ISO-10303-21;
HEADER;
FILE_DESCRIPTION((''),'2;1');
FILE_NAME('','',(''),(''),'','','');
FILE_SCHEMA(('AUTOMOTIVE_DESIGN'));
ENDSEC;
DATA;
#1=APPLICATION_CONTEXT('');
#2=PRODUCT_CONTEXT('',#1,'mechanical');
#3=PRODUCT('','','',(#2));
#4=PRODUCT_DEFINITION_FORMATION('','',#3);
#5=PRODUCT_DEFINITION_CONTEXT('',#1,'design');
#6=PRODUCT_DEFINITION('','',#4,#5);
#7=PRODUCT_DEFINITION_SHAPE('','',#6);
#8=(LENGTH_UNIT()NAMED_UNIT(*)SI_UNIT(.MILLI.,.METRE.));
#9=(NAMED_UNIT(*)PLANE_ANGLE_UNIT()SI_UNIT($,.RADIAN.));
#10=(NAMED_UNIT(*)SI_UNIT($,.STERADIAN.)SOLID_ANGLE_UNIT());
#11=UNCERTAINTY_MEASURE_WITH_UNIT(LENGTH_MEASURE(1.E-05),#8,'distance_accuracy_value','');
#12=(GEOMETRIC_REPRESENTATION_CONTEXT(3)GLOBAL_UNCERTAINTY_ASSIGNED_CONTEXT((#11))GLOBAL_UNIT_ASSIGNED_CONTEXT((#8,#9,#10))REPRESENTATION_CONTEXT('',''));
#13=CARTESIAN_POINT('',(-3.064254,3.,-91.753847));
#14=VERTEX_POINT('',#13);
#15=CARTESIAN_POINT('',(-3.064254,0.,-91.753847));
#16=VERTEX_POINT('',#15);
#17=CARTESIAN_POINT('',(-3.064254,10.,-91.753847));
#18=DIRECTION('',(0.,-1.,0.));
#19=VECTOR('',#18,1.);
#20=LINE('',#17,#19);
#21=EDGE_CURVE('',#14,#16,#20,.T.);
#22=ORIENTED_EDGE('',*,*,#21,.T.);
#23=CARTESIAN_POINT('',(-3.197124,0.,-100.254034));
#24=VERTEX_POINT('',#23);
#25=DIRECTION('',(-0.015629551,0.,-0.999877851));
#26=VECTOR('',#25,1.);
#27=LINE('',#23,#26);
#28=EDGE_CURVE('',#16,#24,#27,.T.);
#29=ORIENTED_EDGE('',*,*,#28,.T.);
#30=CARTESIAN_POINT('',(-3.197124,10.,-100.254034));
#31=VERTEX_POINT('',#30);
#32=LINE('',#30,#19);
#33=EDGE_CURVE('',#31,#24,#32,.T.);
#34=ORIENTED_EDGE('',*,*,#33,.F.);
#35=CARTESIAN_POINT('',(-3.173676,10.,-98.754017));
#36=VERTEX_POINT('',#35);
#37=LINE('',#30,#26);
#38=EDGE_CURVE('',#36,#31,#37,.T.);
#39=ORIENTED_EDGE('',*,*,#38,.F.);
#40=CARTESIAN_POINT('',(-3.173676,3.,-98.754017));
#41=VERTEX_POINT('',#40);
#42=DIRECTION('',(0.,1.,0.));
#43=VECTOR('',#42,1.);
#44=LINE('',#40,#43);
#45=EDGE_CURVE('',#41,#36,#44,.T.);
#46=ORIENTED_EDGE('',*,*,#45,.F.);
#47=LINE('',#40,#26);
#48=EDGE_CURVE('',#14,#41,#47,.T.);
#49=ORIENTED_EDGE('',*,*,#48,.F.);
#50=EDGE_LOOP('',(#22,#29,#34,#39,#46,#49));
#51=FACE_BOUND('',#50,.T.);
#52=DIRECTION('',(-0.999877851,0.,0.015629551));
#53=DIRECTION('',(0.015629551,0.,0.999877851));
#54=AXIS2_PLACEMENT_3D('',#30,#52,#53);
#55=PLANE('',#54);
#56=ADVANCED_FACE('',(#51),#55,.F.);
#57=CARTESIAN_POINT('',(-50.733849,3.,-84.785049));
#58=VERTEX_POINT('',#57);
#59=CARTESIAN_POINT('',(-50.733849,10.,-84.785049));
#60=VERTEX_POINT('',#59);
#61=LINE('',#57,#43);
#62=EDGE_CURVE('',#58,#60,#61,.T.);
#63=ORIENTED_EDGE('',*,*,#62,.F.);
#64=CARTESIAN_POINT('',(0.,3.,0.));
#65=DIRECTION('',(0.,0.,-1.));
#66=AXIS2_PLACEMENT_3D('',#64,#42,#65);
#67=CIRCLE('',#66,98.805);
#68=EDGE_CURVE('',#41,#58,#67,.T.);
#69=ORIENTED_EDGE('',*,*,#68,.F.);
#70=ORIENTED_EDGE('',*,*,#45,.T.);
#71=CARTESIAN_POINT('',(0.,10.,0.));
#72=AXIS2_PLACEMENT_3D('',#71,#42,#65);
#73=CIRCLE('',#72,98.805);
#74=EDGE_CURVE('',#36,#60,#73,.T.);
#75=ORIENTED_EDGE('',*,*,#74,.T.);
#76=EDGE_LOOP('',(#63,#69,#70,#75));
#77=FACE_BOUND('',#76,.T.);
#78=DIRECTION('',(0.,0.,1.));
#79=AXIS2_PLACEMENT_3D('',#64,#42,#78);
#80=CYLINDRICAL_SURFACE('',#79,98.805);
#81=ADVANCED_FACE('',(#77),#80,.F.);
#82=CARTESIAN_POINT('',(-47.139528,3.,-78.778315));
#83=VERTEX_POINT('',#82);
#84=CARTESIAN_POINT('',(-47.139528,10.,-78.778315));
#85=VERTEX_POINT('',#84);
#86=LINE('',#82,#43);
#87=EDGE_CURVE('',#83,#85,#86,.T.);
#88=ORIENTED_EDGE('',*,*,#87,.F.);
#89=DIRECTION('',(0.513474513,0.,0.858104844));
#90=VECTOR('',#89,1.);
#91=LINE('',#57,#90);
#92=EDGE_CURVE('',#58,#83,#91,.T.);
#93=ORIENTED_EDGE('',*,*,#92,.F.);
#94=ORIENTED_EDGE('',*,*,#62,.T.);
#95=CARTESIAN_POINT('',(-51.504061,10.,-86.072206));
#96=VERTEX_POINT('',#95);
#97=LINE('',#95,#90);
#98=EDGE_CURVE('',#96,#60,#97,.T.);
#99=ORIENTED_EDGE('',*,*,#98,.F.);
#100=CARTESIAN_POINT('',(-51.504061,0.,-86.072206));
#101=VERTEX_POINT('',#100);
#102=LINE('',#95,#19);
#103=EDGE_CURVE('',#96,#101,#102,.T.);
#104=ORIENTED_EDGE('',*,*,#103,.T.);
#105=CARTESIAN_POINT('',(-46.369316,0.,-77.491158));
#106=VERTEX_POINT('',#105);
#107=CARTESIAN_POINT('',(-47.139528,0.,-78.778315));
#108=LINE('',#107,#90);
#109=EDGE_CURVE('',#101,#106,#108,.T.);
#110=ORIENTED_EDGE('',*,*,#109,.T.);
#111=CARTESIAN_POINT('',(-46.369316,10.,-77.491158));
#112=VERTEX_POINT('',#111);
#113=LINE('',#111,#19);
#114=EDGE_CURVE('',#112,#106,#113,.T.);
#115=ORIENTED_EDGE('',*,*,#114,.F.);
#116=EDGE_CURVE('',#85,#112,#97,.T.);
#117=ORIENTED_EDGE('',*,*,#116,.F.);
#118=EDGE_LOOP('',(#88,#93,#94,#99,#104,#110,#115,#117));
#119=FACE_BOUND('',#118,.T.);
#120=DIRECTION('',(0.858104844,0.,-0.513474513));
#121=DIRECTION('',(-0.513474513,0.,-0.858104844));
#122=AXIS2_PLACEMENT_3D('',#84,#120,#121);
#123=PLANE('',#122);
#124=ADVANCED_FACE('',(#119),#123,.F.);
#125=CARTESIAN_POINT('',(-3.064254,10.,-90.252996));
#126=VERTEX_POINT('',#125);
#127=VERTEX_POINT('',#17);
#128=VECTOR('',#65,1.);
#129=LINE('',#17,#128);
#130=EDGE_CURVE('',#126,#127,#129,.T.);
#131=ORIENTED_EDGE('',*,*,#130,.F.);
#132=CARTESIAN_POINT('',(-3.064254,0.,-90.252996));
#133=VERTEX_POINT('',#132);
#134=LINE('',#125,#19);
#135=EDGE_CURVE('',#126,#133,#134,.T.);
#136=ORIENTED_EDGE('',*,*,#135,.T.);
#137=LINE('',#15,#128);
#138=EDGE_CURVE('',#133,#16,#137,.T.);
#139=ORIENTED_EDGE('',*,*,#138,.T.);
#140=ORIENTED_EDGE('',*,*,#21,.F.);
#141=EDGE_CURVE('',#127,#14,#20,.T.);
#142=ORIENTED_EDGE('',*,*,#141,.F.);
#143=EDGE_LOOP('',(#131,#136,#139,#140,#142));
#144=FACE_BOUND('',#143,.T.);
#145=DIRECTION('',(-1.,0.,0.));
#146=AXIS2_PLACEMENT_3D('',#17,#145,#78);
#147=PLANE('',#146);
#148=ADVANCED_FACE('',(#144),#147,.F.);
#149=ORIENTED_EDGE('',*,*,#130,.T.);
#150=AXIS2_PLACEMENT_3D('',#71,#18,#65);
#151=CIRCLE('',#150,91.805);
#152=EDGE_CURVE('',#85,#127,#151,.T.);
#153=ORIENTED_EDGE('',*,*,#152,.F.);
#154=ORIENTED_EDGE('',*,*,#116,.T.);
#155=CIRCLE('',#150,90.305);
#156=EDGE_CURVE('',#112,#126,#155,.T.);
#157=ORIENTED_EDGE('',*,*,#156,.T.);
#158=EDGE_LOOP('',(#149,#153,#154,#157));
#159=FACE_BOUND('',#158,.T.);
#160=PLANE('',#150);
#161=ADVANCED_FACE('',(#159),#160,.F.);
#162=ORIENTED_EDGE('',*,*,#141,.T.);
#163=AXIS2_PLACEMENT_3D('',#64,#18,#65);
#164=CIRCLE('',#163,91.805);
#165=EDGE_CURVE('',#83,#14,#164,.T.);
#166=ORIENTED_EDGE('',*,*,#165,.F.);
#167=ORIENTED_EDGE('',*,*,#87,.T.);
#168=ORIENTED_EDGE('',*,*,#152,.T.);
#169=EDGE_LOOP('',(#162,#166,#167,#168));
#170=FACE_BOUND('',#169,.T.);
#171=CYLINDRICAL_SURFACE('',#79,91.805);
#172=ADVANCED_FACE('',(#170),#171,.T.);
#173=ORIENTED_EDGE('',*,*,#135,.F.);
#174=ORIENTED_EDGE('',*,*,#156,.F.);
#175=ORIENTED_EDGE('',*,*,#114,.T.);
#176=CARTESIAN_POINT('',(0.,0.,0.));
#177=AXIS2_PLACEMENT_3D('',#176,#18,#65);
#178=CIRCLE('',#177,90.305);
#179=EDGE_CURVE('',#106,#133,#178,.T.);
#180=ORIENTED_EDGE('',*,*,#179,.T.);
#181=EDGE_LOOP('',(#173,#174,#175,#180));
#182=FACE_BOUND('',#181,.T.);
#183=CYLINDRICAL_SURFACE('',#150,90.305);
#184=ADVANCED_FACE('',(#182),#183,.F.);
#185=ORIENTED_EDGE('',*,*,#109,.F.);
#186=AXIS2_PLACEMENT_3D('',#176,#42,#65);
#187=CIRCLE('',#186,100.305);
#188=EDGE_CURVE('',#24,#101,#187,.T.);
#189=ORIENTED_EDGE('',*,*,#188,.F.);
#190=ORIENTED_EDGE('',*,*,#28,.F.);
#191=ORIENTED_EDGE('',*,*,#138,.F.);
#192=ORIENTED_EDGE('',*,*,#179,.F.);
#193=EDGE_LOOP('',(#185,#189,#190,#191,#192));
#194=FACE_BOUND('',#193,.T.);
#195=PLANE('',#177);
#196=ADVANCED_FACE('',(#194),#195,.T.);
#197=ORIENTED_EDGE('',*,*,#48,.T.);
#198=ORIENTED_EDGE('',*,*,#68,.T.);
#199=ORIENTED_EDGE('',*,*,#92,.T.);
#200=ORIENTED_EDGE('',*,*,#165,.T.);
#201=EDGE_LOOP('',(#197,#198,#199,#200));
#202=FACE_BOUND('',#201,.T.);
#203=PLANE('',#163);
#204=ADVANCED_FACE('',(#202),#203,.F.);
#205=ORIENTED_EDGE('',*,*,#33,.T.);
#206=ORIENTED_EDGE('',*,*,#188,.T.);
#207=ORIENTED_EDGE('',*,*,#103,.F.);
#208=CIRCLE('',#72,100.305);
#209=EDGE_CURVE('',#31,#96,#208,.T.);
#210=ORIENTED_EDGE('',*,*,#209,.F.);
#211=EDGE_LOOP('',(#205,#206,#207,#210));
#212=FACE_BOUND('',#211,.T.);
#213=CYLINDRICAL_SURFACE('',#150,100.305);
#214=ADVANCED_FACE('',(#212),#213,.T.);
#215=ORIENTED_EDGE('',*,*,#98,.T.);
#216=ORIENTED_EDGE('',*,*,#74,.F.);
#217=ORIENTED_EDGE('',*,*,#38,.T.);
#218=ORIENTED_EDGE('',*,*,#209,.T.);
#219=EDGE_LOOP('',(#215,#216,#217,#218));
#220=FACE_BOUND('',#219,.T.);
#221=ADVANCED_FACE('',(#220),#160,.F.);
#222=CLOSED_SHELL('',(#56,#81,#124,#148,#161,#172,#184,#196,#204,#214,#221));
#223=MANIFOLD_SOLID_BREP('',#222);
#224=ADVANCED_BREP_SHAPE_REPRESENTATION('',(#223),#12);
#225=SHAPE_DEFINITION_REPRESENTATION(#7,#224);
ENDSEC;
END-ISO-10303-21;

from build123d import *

# Parameters (mm, degrees)
BOSS_EXTRUDE1_DEPTH = 10
CUT_EXTRUDE1_DEPTH  = 7


with BuildPart() as part:
    # Sketch2 → Boss-Extrude1 (new body)
    with BuildSketch(Plane(origin=(0, 0, 0), x_dir=(1, 0, 0), z_dir=(0, 1, 0))):
        with BuildLine():
            Line((-51.50406107, 86.072206422), (-47.139527706, 78.778315244))
            Line((-47.139527706, 78.778315244), (-46.369315936, 77.491157977))
            ThreePointArc((-46.369315936, 77.491157977), (-25.527153744, 86.621922437), (-3.064253537, 90.252996489))
            Line((-3.064253537, 90.252996489), (-3.064253537, 91.753846651))
            Line((-3.064253537, 91.753846651), (-3.197123883, 100.254034452))
            ThreePointArc((-3.197123883, 100.254034452), (-28.254839769, 96.243218227), (-51.50406107, 86.072206422))
        make_face()
    extrude(amount=BOSS_EXTRUDE1_DEPTH)

    # Sketch4 → Cut-Extrude1 (cut)
    with BuildSketch(Plane(origin=(0, 10, 0), x_dir=(1, 0, 0), z_dir=(0, 1, 0))):
        with BuildLine():
            Line((-50.7338493, 84.785049155), (-47.139527706, 78.778315244))
            ThreePointArc((-47.139527706, 78.778315244), (-25.92674327, 88.067939731), (-3.064253537, 91.753846651))
            Line((-3.064253537, 91.753846651), (-3.173676414, 98.754016642))
            ThreePointArc((-3.173676414, 98.754016642), (-27.844000167, 94.800525735), (-50.7338493, 84.785049155))
        make_face()
    extrude(amount=-CUT_EXTRUDE1_DEPTH, mode=Mode.SUBTRACT)


solid = part.part
